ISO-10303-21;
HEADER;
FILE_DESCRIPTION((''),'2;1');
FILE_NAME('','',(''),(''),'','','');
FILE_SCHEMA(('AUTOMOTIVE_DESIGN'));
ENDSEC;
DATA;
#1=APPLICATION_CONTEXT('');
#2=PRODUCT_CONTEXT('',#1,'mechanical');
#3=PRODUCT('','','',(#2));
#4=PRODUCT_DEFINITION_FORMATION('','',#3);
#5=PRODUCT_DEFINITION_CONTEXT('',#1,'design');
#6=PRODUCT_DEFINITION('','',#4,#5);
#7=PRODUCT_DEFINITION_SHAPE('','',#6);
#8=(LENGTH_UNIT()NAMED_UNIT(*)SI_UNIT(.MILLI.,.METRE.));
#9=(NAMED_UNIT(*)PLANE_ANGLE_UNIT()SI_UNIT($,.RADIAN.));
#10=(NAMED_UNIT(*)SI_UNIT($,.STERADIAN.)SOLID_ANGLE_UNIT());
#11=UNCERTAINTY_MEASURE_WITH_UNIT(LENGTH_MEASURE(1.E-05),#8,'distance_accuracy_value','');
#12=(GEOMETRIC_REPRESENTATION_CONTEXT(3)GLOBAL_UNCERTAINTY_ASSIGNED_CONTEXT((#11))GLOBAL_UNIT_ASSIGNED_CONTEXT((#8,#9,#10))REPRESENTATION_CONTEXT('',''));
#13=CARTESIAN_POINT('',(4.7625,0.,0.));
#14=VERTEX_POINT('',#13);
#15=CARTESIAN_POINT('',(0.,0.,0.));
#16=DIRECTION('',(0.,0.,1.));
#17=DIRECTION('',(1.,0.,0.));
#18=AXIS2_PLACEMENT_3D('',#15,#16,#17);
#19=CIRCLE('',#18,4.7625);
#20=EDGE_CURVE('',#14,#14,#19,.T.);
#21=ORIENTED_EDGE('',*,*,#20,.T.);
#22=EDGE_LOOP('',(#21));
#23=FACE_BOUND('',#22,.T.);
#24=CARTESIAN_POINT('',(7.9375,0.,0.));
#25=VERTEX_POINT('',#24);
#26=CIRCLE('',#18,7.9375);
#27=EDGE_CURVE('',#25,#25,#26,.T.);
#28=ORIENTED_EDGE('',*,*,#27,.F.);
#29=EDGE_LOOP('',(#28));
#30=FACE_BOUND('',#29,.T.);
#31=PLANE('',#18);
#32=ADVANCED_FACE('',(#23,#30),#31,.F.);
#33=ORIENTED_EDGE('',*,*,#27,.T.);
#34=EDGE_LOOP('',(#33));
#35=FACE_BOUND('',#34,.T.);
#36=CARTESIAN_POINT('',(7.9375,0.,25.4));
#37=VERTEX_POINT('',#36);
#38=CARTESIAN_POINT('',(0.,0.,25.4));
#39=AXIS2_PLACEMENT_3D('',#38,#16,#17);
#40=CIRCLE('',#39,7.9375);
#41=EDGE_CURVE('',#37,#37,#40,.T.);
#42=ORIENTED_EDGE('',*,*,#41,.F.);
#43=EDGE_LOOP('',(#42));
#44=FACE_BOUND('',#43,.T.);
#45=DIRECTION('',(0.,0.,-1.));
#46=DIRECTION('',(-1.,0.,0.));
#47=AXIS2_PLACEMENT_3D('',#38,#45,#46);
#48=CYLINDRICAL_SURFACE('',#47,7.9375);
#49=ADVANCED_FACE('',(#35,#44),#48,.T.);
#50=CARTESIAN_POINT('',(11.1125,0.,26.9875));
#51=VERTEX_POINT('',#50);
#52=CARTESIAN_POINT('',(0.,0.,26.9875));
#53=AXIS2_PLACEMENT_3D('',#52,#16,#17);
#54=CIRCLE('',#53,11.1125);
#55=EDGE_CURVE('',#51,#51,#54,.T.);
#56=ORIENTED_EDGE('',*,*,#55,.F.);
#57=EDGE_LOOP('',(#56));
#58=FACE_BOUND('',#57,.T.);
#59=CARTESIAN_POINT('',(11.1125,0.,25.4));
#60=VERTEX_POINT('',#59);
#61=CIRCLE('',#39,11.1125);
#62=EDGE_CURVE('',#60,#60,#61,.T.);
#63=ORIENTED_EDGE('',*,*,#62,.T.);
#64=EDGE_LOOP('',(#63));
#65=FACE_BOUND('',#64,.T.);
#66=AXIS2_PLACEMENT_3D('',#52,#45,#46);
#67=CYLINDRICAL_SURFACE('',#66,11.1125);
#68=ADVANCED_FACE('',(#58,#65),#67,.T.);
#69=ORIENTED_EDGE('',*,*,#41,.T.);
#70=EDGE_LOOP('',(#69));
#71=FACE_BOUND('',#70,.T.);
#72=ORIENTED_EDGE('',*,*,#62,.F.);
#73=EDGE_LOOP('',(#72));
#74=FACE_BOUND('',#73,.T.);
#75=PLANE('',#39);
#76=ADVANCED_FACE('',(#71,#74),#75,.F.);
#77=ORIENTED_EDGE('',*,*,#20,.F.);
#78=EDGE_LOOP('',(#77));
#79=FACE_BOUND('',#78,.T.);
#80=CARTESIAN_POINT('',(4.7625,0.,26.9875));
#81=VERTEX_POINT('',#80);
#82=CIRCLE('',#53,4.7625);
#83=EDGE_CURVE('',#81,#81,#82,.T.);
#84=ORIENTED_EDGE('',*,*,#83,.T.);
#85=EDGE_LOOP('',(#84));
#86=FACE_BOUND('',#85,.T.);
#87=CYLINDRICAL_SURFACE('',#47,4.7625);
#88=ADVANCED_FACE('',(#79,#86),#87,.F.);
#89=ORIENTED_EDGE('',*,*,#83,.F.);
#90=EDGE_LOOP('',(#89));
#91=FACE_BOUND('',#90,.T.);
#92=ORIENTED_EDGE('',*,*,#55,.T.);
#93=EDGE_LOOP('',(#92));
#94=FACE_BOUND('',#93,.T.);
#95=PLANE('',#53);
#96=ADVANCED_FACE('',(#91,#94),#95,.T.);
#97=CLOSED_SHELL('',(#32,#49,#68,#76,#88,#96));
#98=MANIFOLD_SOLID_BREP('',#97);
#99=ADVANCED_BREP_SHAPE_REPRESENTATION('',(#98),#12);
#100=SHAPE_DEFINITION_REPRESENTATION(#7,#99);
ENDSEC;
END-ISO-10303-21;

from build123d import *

# Parameters (mm, degrees)
SKETCH1_R           = 7.9375
SKETCH1_R_2         = 4.7625
BOSS_EXTRUDE1_DEPTH = 25.4
SKETCH2_R           = 11.1125
SKETCH2_R_2         = 4.7625
BOSS_EXTRUDE2_DEPTH = 1.5875


with BuildPart() as part:
    # Sketch1 → Boss-Extrude1 (new body)
    with BuildSketch(Plane.XY):
        Circle(SKETCH1_R)
        Circle(SKETCH1_R_2, mode=Mode.SUBTRACT)
    extrude(amount=BOSS_EXTRUDE1_DEPTH)

    # Sketch2 → Boss-Extrude2 (add)
    with BuildSketch(Plane.XY.offset(25.4)):
        Circle(SKETCH2_R)
        Circle(SKETCH2_R_2, mode=Mode.SUBTRACT)
    extrude(amount=BOSS_EXTRUDE2_DEPTH)


solid = part.part
